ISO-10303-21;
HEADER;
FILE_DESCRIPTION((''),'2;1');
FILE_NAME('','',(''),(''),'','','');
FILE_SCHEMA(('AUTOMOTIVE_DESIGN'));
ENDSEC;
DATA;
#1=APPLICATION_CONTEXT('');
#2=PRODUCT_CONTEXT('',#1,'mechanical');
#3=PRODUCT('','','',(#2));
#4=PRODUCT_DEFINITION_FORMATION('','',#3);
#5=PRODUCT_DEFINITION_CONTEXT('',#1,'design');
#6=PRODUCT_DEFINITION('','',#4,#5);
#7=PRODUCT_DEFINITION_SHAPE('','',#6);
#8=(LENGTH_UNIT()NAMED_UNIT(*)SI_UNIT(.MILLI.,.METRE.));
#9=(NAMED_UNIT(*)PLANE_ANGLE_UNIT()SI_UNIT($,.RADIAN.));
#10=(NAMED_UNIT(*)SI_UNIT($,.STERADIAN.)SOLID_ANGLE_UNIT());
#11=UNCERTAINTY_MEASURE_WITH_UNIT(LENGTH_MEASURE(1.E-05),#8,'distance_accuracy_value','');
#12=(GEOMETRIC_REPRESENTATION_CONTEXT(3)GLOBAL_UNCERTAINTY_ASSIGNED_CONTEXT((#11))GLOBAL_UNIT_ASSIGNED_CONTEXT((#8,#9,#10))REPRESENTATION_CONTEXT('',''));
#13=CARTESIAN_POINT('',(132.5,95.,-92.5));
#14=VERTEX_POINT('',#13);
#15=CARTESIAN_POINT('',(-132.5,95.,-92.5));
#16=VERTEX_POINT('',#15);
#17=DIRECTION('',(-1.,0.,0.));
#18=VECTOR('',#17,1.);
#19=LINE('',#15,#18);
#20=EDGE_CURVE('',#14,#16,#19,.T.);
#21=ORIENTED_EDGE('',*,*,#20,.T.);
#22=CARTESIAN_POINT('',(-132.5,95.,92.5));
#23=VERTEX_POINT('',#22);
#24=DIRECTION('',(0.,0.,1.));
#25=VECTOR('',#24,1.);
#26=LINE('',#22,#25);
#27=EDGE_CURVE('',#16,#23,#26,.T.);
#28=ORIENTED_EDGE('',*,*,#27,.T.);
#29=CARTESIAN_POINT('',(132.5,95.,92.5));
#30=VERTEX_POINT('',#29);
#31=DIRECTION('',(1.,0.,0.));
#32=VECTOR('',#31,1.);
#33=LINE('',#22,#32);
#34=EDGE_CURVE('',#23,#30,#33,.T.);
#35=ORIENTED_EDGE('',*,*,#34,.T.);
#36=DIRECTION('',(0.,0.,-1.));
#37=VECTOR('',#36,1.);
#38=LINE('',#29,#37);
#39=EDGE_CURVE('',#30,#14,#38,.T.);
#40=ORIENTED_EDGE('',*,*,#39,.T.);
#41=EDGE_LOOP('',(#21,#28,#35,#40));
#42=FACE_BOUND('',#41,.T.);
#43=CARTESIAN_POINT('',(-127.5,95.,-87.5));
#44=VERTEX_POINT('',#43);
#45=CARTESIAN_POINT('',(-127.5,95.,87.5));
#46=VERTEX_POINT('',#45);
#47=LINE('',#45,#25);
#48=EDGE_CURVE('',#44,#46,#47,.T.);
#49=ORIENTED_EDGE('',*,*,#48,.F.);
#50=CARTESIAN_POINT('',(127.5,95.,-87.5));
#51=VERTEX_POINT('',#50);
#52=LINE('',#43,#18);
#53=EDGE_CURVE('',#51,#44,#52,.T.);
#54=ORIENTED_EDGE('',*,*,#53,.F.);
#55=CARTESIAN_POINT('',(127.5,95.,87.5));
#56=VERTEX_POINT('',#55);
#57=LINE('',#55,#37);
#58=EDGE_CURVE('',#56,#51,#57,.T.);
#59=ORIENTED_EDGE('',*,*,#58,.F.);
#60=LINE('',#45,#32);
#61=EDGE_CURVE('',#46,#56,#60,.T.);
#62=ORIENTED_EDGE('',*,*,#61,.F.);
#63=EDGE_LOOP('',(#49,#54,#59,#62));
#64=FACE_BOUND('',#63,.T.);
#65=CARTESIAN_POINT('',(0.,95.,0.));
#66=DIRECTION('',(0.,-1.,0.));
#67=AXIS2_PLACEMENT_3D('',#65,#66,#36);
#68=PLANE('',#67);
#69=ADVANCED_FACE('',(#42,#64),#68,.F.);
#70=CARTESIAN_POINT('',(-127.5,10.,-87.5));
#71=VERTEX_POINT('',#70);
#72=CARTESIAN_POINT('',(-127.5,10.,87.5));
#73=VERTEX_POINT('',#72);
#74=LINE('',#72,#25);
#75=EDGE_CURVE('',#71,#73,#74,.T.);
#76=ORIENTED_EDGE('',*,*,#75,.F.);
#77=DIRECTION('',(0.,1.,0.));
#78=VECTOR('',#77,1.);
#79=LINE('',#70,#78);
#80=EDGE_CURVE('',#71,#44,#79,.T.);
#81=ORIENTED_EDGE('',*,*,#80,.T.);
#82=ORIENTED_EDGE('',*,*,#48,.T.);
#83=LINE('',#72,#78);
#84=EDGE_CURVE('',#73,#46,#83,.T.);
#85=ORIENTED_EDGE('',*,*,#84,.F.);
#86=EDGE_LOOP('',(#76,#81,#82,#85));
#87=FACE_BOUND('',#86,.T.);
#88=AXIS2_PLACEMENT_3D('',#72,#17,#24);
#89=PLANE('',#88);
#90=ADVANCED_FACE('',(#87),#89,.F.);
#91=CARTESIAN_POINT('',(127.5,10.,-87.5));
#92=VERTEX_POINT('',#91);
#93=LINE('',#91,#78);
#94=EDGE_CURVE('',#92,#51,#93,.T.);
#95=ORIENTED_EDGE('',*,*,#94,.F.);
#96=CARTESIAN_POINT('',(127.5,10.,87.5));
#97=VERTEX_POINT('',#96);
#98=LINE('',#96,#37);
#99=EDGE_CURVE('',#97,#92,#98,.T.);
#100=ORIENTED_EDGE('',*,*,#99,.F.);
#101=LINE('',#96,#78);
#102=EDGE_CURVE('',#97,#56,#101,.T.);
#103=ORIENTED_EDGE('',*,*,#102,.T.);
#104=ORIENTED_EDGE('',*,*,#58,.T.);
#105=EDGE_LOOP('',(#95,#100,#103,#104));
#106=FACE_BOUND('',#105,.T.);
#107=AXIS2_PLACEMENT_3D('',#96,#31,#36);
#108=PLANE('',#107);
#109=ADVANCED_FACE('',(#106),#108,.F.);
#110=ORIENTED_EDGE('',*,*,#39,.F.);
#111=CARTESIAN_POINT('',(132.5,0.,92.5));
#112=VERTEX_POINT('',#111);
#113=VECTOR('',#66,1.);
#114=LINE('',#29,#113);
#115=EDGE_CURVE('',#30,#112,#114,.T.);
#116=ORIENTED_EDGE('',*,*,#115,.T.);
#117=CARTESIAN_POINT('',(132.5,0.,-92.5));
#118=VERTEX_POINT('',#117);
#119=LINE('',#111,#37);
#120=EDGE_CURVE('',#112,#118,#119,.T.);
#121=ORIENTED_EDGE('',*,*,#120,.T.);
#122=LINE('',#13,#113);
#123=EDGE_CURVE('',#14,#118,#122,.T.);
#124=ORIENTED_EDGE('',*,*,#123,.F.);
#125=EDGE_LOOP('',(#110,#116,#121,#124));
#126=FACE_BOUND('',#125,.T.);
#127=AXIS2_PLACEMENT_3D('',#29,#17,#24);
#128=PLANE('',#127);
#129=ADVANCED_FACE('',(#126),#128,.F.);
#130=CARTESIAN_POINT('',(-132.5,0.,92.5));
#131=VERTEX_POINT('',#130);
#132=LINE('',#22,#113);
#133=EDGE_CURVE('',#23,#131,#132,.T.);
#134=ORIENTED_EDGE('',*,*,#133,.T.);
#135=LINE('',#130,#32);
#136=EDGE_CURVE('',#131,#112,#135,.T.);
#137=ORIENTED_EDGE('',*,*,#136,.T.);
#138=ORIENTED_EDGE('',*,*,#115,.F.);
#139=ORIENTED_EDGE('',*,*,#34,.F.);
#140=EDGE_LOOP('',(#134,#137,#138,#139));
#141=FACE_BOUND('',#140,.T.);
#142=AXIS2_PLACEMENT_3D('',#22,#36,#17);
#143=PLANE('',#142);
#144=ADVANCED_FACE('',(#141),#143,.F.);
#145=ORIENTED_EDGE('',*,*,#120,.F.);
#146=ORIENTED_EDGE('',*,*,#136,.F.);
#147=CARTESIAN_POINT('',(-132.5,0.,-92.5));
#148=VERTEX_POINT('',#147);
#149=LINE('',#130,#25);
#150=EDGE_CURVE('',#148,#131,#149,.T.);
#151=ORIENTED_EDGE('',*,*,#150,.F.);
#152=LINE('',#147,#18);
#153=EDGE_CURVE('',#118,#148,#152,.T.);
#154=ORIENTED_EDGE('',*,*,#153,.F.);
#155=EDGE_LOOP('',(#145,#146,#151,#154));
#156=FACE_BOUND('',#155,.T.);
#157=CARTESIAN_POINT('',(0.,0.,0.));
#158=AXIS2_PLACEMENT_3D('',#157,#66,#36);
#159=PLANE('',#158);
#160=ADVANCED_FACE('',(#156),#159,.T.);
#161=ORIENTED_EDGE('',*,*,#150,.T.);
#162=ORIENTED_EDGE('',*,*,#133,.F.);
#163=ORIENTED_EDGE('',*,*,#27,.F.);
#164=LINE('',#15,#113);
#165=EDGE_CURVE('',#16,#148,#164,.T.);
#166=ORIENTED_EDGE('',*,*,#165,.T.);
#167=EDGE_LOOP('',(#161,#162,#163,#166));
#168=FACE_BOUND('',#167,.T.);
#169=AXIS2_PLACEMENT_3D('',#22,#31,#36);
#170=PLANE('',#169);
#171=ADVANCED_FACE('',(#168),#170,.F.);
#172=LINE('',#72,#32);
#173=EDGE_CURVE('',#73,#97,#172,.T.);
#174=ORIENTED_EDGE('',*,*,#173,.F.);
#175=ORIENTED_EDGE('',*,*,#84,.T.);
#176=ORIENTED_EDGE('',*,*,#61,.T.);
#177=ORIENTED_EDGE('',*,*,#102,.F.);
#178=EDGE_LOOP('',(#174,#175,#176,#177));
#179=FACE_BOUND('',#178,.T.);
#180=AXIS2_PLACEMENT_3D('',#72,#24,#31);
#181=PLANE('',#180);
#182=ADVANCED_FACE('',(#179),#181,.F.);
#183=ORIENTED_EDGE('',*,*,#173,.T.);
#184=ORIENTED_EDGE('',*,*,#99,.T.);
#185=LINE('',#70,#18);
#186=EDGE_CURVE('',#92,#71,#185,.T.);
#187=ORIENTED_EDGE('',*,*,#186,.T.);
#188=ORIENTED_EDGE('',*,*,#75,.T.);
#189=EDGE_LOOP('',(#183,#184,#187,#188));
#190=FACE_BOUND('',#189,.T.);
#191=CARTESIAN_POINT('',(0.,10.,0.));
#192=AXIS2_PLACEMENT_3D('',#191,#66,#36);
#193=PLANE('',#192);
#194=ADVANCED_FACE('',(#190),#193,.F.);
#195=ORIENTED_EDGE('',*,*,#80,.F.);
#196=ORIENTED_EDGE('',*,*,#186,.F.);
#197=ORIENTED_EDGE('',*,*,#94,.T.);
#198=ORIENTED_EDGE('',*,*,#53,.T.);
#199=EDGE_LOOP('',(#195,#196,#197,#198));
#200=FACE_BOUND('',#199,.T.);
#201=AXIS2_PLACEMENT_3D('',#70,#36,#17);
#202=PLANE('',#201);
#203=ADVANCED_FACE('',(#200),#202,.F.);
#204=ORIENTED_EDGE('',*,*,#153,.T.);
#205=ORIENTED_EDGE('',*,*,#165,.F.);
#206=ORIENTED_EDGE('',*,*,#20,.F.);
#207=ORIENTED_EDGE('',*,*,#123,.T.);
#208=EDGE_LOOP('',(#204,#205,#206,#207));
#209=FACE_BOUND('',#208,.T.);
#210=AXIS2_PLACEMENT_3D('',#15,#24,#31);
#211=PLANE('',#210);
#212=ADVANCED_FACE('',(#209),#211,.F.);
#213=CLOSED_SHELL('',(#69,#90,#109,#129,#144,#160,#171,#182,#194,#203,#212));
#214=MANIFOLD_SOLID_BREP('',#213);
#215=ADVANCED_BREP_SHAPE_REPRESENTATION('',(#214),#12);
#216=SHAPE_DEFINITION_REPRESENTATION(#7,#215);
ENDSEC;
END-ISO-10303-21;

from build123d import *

# Parameters (mm, degrees)
SKETCH1_W           = 265
SKETCH1_H           = 185
BOSS_EXTRUDE1_DEPTH = 95
SKETCH2_W           = 255
SKETCH2_H           = 175
CUT_EXTRUDE1_DEPTH  = 85


with BuildPart() as part:
    # Sketch1 → Boss-Extrude1 (new body)
    with BuildSketch(Plane(origin=(0, 0, 0), x_dir=(1, 0, 0), z_dir=(0, 1, 0))):
        Rectangle(SKETCH1_W, SKETCH1_H)
    extrude(amount=BOSS_EXTRUDE1_DEPTH)

    # Sketch2 → Cut-Extrude1 (cut)
    with BuildSketch(Plane(origin=(0, 95, 0), x_dir=(1, 0, 0), z_dir=(0, 1, 0))):
        Rectangle(SKETCH2_W, SKETCH2_H)
    extrude(amount=-CUT_EXTRUDE1_DEPTH, mode=Mode.SUBTRACT)


solid = part.part
